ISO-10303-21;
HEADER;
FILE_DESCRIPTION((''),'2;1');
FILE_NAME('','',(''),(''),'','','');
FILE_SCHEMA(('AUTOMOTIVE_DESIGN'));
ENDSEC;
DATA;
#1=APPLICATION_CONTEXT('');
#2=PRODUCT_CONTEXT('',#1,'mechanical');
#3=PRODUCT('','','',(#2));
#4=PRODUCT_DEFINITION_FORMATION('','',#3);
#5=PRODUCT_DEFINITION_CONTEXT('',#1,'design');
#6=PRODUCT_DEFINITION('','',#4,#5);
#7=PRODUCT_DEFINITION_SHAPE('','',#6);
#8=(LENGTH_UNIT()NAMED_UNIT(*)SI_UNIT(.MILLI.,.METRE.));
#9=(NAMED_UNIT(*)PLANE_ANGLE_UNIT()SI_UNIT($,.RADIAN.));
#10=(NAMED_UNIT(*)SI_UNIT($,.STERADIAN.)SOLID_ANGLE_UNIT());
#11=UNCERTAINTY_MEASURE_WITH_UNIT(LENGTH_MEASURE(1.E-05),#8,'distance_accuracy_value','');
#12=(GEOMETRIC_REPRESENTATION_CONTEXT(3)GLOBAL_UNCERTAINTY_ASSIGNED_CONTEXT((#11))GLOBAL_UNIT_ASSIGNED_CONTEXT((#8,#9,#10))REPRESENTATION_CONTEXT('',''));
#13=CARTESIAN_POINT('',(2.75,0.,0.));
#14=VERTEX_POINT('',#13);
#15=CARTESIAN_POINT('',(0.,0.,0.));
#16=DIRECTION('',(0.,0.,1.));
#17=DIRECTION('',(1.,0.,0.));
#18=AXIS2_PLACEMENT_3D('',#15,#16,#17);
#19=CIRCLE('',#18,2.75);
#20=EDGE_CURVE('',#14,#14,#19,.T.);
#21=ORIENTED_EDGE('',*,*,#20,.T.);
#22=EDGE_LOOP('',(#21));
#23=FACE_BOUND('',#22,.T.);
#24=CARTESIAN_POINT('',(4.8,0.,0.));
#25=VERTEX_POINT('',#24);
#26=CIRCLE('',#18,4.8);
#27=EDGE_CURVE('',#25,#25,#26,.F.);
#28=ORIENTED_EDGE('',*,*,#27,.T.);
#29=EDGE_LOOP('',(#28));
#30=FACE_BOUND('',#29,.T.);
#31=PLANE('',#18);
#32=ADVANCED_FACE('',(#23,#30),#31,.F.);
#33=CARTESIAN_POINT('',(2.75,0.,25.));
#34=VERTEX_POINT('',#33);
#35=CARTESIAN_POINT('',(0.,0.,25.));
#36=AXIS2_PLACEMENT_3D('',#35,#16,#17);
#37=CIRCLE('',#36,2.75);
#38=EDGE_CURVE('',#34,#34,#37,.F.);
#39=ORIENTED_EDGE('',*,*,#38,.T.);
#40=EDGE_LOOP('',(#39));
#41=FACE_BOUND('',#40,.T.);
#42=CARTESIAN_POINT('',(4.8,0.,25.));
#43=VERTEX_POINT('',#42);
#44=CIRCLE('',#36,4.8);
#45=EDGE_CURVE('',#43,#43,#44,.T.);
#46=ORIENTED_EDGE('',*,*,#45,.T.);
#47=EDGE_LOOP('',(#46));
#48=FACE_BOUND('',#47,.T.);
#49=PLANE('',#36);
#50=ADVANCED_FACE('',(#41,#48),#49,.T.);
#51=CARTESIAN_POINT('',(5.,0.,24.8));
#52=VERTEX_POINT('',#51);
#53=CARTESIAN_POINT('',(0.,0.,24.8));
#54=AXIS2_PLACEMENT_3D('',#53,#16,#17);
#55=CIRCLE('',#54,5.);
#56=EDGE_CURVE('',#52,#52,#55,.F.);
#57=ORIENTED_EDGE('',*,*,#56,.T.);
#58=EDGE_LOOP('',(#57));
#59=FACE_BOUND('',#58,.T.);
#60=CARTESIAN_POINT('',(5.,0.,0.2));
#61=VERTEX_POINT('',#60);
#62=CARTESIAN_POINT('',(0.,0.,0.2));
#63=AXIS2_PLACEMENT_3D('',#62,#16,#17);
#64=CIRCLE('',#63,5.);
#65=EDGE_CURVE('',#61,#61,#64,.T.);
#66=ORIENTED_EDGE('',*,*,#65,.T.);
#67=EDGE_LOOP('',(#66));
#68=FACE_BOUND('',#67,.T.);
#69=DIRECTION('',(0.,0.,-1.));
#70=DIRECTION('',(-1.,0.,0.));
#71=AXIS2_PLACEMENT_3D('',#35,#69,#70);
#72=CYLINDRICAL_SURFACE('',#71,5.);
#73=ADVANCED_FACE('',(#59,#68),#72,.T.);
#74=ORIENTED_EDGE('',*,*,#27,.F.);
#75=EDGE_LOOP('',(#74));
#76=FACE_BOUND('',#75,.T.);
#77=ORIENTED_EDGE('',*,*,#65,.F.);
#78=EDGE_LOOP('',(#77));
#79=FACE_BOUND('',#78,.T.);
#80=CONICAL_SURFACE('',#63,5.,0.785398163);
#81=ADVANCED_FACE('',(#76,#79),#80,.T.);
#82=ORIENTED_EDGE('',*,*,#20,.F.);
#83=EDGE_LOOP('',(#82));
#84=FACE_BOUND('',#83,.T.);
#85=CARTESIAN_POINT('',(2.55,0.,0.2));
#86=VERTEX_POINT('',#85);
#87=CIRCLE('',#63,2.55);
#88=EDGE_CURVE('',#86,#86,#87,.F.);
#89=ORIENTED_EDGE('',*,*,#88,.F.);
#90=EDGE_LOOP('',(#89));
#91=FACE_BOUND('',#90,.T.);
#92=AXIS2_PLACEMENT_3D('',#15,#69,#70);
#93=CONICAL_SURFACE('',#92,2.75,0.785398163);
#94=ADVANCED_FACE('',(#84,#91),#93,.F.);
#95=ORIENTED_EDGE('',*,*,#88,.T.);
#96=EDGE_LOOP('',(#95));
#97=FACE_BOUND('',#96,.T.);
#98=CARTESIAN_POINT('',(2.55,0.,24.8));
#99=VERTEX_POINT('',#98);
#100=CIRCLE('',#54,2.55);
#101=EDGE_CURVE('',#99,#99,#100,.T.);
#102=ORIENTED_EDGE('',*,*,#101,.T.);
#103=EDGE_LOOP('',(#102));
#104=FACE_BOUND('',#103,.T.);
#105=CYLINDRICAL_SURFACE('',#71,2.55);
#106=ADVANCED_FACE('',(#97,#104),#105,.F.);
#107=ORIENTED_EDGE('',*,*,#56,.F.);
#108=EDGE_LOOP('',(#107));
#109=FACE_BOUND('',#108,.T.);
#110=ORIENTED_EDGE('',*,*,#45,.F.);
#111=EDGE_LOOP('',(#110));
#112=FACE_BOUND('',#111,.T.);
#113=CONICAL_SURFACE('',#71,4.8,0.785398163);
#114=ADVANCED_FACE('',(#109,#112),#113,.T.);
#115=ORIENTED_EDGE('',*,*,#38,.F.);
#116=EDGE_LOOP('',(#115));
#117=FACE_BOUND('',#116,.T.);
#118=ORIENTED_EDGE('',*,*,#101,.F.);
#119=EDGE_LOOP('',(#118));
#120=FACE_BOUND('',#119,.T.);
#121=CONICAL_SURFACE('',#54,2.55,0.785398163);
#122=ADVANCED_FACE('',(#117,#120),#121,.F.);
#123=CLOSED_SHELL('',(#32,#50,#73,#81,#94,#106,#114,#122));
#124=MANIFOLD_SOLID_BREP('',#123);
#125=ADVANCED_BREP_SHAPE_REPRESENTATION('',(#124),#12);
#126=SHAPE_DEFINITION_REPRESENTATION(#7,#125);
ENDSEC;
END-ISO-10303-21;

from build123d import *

# Parameters (mm, degrees)
SKETCH1_R           = 5
SKETCH1_R_2         = 2.55
BOSS_EXTRUDE1_DEPTH = 25
CHAMFER1_SIZE       = 0.2


with BuildPart() as part:
    # Sketch1 → Boss-Extrude1 (new body)
    with BuildSketch(Plane.XY):
        Circle(SKETCH1_R)
        Circle(SKETCH1_R_2, mode=Mode.SUBTRACT)
    extrude(amount=BOSS_EXTRUDE1_DEPTH)

    # Chamfer1
    chamfer1_edges = [part.edges().sort_by_distance(p)[0] for p in [
        (-5, 0, 0),
        (-5, 0, 25),
        (-2.55, 0, 0),
        (-2.55, 0, 25),
    ]]
    chamfer(chamfer1_edges, length=CHAMFER1_SIZE)


solid = part.part
